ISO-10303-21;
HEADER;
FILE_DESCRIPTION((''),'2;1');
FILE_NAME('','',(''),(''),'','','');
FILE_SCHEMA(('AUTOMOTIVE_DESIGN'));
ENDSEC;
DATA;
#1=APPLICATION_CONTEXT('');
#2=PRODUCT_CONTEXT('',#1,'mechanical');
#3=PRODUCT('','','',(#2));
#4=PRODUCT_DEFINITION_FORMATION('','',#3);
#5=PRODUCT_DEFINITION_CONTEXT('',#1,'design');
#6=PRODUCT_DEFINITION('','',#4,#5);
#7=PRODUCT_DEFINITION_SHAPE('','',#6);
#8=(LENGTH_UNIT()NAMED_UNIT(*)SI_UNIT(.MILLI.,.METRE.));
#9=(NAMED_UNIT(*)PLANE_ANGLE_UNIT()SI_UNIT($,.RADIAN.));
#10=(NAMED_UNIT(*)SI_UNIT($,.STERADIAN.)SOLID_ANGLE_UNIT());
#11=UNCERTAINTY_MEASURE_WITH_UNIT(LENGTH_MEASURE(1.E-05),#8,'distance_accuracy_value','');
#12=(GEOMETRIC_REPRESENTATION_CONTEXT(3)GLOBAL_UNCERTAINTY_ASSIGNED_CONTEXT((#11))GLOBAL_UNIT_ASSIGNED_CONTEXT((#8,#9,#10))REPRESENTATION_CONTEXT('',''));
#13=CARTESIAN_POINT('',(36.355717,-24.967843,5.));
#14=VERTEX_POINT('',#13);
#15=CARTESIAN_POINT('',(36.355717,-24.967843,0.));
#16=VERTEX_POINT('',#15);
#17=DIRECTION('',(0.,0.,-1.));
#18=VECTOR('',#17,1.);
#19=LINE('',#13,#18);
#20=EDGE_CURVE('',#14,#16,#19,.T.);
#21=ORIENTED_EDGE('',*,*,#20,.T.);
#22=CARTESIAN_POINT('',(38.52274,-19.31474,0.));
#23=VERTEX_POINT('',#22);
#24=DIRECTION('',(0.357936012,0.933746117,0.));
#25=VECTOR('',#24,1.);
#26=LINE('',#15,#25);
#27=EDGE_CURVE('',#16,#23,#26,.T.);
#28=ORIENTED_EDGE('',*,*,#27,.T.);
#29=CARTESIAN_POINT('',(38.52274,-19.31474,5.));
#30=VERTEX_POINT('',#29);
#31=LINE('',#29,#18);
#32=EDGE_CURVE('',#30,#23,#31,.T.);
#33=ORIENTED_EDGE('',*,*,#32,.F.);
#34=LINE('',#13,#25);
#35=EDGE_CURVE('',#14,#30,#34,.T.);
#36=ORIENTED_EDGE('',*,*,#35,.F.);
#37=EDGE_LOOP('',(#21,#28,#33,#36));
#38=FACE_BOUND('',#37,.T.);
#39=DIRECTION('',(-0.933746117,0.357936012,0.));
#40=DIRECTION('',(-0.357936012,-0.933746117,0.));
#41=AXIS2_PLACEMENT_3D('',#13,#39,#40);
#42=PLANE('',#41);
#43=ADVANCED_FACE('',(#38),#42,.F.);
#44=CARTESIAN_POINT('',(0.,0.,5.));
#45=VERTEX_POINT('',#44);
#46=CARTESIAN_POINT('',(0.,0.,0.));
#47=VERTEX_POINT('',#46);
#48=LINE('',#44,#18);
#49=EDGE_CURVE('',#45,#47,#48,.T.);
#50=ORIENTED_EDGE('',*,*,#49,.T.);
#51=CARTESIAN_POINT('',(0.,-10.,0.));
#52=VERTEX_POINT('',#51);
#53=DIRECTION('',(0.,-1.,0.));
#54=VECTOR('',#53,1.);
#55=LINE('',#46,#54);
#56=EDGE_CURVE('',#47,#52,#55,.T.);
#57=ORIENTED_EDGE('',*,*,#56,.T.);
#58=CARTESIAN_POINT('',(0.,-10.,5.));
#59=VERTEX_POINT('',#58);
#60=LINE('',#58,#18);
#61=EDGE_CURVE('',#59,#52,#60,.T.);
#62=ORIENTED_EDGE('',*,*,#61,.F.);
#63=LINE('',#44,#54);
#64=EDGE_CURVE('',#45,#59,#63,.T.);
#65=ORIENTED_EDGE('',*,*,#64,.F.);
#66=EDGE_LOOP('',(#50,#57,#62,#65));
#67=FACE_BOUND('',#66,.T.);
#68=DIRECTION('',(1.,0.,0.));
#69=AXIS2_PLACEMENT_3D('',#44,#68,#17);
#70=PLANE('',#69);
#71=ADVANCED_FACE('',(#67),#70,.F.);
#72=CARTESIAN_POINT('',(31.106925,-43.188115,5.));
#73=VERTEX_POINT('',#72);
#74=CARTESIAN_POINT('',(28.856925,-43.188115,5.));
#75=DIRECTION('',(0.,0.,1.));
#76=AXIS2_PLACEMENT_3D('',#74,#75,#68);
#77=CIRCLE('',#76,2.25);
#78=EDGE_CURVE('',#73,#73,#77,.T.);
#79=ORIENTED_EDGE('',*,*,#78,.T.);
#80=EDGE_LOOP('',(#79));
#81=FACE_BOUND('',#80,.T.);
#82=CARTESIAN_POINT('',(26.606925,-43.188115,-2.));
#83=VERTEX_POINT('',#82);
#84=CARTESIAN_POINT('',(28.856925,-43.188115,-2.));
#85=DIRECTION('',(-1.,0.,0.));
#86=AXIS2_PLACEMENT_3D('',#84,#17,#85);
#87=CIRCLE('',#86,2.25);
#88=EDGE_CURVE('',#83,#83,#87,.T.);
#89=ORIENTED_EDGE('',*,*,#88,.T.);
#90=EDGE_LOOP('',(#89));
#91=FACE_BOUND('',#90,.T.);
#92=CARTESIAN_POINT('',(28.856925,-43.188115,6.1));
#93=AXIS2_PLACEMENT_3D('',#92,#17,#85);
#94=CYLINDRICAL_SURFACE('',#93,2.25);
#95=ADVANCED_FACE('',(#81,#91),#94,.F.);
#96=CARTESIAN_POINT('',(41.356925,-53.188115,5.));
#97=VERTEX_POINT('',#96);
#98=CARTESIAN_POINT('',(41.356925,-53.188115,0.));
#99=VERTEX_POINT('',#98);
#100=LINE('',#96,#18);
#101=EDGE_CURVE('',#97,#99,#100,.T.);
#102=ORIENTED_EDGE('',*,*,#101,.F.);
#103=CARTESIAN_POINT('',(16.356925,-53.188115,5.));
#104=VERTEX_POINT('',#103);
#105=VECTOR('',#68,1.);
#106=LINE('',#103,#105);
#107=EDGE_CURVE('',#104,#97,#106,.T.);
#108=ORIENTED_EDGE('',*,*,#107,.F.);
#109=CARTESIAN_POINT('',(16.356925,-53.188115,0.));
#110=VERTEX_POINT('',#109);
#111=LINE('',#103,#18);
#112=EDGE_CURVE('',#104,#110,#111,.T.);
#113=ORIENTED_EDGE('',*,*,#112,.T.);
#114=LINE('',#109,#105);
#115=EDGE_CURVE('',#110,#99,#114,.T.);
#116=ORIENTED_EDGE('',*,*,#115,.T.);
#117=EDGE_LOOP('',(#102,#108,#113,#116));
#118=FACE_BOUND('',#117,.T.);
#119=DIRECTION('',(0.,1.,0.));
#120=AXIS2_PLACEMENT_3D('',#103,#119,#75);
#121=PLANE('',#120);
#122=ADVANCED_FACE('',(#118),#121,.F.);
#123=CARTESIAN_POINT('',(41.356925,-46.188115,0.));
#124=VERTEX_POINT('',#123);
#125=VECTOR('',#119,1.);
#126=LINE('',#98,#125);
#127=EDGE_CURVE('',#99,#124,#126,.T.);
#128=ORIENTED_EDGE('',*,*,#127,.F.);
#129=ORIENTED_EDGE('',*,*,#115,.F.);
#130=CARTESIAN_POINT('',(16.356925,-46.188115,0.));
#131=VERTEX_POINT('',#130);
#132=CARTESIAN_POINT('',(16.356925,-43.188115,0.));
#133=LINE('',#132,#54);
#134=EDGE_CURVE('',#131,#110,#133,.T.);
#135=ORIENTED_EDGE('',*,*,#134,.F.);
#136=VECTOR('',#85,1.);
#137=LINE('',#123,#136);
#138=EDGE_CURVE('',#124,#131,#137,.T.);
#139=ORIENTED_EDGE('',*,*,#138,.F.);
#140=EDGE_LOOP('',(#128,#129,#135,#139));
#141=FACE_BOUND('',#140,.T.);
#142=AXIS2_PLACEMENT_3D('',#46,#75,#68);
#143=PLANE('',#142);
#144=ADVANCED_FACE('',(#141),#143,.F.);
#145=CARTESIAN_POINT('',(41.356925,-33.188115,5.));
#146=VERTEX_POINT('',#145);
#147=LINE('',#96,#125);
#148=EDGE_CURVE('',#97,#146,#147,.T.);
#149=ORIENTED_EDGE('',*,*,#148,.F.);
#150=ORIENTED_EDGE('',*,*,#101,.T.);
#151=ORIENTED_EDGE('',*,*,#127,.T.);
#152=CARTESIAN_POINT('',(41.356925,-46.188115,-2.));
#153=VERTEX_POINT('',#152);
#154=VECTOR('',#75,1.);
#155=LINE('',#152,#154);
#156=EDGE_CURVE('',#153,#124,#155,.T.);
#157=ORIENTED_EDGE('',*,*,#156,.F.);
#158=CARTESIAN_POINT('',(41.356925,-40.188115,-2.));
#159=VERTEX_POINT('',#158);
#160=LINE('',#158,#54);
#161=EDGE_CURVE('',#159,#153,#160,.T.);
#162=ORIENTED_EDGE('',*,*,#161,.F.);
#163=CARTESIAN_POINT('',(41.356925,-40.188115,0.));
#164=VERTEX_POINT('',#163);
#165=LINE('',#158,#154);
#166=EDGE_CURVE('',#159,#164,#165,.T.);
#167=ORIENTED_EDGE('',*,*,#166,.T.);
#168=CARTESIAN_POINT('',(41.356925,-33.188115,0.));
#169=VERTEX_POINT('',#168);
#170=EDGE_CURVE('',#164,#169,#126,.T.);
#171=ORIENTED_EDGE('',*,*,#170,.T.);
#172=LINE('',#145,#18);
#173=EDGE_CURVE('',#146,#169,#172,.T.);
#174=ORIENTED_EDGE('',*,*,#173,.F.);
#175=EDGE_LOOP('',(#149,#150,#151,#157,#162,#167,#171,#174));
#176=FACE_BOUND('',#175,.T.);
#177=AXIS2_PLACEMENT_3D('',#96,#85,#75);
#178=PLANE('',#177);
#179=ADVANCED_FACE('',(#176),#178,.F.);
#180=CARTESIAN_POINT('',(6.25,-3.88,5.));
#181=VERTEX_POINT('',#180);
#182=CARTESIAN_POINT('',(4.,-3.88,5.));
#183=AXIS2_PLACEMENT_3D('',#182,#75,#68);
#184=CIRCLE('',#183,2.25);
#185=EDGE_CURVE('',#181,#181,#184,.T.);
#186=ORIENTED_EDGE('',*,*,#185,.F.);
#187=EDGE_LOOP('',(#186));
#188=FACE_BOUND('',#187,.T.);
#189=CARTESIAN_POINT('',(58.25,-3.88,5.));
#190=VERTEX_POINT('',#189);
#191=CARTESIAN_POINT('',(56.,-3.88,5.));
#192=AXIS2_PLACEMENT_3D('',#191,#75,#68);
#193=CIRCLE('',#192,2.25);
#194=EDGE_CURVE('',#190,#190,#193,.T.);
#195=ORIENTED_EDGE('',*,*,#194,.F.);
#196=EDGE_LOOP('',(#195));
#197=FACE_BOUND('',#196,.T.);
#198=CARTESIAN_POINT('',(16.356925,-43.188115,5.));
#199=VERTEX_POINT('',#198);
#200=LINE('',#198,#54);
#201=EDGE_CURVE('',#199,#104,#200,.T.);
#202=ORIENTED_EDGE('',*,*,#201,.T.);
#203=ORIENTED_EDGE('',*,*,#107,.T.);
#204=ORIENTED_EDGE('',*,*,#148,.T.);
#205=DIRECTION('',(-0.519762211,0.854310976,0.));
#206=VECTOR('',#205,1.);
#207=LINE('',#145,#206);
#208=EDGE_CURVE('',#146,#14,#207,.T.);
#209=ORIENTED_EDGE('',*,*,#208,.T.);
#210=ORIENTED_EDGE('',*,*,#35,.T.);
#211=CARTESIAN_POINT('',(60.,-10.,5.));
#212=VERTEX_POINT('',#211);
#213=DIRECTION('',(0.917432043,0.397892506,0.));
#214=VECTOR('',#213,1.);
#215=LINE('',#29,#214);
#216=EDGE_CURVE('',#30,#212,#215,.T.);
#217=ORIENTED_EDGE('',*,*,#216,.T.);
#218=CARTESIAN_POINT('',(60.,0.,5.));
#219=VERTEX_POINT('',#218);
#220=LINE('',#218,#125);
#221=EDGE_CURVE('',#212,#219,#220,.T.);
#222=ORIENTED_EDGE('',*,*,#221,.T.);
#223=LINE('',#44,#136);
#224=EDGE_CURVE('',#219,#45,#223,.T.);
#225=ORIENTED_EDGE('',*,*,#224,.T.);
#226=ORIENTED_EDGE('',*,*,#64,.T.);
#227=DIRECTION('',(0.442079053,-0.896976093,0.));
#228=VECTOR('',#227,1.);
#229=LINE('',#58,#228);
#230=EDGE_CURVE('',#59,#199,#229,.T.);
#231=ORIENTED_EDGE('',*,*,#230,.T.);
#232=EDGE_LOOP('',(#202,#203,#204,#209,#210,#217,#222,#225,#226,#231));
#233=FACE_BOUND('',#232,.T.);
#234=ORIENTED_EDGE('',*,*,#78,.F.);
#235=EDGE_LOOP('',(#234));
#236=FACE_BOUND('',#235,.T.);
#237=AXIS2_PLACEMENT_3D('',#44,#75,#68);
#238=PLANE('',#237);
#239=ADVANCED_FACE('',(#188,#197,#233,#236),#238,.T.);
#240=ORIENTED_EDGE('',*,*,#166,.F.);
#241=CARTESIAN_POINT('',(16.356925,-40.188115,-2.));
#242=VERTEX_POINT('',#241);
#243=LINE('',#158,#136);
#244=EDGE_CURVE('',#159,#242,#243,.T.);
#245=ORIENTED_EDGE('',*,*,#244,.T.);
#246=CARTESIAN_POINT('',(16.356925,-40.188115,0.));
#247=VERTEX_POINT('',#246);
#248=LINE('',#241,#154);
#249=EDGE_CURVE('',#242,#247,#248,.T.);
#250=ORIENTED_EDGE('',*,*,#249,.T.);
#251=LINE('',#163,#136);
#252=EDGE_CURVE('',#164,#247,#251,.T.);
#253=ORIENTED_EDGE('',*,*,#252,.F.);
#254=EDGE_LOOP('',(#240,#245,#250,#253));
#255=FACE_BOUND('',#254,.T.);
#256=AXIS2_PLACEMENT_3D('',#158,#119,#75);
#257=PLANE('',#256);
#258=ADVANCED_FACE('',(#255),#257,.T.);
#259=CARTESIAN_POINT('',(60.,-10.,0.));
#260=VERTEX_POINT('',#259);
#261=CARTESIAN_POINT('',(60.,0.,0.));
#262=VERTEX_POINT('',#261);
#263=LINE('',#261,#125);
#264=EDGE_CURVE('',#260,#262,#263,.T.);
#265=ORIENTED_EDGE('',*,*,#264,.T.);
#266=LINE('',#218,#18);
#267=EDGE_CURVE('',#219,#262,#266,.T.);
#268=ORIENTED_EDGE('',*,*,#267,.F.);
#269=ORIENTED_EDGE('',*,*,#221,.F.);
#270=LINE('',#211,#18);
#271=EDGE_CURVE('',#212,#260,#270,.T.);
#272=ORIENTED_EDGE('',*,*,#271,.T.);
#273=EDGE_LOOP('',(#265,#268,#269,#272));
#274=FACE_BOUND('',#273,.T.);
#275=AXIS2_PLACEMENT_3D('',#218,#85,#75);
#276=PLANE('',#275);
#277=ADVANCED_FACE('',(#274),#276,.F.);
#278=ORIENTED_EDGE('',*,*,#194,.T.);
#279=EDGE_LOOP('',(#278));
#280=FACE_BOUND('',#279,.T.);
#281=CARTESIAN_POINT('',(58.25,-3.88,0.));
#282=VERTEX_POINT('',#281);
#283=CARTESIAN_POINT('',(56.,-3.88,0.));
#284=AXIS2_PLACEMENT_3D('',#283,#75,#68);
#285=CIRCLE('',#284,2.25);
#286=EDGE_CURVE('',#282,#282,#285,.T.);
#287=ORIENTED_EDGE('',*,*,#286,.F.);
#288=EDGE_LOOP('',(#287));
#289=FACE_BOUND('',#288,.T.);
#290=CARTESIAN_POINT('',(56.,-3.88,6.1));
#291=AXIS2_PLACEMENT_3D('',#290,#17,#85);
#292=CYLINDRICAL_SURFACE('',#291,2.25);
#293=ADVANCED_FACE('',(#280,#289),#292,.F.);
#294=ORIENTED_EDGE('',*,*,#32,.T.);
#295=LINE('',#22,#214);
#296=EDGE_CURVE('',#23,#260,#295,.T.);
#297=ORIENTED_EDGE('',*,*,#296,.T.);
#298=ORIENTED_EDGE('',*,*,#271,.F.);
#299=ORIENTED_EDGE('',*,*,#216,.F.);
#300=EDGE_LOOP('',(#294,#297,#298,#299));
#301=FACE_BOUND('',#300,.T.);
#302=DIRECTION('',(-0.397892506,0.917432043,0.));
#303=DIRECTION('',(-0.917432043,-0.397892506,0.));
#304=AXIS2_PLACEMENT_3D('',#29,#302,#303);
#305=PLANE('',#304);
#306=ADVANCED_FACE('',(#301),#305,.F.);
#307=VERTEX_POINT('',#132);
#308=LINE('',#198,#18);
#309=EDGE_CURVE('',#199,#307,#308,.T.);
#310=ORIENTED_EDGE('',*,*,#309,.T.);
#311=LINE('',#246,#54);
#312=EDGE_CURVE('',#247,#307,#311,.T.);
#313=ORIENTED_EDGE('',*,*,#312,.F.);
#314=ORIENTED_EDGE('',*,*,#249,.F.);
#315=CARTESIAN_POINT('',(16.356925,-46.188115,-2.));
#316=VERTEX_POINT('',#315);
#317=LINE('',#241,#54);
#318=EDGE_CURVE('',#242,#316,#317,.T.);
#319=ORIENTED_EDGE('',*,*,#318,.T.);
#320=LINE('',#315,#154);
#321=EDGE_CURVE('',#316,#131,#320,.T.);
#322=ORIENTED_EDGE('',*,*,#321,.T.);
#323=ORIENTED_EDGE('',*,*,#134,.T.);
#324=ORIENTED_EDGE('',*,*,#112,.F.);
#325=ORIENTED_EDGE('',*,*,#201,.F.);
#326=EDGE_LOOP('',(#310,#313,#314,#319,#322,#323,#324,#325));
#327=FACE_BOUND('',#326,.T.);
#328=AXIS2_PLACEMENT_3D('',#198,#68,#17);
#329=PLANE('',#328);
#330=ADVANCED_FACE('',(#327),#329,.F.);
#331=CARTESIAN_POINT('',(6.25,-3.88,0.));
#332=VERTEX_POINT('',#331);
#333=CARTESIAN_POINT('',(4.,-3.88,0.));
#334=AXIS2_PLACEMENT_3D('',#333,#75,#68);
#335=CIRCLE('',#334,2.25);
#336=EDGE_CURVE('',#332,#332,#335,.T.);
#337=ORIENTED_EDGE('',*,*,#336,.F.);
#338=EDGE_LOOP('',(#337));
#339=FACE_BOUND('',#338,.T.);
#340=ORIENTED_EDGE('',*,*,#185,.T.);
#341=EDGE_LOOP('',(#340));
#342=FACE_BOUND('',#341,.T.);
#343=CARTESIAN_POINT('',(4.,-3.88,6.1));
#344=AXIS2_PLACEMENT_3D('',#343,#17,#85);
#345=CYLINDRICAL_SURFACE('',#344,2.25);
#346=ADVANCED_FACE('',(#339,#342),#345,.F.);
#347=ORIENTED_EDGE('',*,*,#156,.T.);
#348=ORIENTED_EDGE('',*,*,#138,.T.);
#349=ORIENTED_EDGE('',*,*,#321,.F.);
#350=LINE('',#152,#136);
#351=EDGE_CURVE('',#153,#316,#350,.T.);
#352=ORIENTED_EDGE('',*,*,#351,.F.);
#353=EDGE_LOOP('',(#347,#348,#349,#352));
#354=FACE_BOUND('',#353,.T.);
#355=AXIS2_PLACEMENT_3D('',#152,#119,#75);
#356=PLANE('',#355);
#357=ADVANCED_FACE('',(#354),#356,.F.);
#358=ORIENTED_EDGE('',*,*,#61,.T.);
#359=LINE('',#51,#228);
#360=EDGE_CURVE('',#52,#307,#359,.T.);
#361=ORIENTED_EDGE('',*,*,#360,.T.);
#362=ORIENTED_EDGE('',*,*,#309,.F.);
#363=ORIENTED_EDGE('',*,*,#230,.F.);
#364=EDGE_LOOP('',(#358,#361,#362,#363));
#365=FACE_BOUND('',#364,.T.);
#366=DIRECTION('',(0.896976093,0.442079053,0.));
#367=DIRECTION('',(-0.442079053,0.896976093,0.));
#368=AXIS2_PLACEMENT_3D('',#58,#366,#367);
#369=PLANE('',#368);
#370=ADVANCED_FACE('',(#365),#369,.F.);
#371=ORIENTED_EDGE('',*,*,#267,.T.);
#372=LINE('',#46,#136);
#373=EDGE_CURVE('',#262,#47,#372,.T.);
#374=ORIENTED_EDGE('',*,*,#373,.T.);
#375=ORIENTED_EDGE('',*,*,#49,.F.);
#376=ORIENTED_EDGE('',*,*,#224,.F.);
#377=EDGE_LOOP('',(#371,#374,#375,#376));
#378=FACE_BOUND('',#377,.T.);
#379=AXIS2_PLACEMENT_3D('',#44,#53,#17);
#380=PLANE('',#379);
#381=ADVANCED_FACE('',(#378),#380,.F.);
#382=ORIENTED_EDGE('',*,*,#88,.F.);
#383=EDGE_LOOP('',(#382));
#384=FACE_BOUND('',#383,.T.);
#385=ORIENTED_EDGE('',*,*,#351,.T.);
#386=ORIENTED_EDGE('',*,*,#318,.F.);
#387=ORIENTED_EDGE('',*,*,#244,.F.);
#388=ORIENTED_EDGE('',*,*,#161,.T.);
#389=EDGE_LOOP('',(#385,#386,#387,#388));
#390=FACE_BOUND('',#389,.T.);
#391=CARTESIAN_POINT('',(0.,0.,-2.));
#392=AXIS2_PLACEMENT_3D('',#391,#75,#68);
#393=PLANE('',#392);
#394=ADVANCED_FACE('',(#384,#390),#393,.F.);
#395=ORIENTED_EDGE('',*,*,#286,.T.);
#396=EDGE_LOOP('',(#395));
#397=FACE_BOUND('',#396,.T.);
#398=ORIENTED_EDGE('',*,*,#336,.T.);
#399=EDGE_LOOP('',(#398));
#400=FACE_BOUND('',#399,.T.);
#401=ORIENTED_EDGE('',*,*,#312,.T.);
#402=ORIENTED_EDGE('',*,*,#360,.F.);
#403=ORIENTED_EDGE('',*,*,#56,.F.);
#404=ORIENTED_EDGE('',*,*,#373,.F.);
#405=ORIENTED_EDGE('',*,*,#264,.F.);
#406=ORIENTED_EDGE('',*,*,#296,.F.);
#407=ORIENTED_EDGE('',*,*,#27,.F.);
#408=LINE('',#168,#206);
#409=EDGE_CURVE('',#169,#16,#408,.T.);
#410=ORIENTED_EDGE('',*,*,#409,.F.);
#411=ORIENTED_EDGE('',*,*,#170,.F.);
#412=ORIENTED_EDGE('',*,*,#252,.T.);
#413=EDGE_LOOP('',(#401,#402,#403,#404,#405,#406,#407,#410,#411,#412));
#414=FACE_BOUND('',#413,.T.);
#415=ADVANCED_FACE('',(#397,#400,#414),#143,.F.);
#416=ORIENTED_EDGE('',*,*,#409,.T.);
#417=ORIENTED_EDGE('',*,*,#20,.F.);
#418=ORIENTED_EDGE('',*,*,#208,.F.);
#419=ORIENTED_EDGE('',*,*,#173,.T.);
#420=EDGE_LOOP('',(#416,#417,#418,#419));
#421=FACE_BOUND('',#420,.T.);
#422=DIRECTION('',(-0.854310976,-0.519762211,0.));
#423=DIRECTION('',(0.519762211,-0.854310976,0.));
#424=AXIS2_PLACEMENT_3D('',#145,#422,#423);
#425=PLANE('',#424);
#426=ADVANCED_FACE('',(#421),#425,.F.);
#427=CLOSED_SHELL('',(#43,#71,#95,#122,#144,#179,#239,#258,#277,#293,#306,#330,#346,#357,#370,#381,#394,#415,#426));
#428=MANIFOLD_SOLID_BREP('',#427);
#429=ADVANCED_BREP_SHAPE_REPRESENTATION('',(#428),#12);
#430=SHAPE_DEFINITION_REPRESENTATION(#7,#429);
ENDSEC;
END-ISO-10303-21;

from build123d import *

# Parameters (mm, degrees)
BOSS_EXTRU_1_DEPTH      = 5
ESQUISSE2_W             = 25
ESQUISSE2_H             = 6
BOSS_EXTRU_2_DEPTH      = 2
ESQUISSE3_R             = 2.25
ENL_V_MAT_EXTRU_3_DEPTH = 8.1


with BuildPart() as part:
    # Esquisse1 → Boss.-Extru.1 (new body)
    with BuildSketch(Plane.XY):
        Polygon((0, 0), (60, 0), (60, -10), (38.522739923, -19.314739888), (36.355716988, -24.967843196), (41.356924968, -33.188115427), (41.356924968, -53.188115427), (16.356924968, -53.188115427), (16.356924968, -43.188115427), (0, -10), align=None)
    extrude(amount=BOSS_EXTRU_1_DEPTH)

    # Esquisse2 → Boss.-Extru.2 (add)
    with BuildSketch(Plane(origin=(0, 0, 0), x_dir=(-1, 0, 0), z_dir=(0, 0, -1))):
        with Locations((-28.856924968, -43.188115427)):
            Rectangle(ESQUISSE2_W, ESQUISSE2_H)
    extrude(amount=BOSS_EXTRU_2_DEPTH)

    # Esquisse3 → Enlèv. mat.-Extru.3 (cut)
    with BuildSketch(Plane(origin=(0, 0, -2), x_dir=(-1, 0, 0), z_dir=(0, 0, -1))):
        with Locations((-28.856924968, -43.188115427)):
            Circle(ESQUISSE3_R)
        with Locations(Location((-56, -3.88, 0), (0, 0, 180))):
            Circle(ESQUISSE3_R)
        with Locations(Location((-4, -3.88, 0), (0, 0, 180))):
            Circle(ESQUISSE3_R)
    extrude(amount=-ENL_V_MAT_EXTRU_3_DEPTH, mode=Mode.SUBTRACT)


solid = part.part
